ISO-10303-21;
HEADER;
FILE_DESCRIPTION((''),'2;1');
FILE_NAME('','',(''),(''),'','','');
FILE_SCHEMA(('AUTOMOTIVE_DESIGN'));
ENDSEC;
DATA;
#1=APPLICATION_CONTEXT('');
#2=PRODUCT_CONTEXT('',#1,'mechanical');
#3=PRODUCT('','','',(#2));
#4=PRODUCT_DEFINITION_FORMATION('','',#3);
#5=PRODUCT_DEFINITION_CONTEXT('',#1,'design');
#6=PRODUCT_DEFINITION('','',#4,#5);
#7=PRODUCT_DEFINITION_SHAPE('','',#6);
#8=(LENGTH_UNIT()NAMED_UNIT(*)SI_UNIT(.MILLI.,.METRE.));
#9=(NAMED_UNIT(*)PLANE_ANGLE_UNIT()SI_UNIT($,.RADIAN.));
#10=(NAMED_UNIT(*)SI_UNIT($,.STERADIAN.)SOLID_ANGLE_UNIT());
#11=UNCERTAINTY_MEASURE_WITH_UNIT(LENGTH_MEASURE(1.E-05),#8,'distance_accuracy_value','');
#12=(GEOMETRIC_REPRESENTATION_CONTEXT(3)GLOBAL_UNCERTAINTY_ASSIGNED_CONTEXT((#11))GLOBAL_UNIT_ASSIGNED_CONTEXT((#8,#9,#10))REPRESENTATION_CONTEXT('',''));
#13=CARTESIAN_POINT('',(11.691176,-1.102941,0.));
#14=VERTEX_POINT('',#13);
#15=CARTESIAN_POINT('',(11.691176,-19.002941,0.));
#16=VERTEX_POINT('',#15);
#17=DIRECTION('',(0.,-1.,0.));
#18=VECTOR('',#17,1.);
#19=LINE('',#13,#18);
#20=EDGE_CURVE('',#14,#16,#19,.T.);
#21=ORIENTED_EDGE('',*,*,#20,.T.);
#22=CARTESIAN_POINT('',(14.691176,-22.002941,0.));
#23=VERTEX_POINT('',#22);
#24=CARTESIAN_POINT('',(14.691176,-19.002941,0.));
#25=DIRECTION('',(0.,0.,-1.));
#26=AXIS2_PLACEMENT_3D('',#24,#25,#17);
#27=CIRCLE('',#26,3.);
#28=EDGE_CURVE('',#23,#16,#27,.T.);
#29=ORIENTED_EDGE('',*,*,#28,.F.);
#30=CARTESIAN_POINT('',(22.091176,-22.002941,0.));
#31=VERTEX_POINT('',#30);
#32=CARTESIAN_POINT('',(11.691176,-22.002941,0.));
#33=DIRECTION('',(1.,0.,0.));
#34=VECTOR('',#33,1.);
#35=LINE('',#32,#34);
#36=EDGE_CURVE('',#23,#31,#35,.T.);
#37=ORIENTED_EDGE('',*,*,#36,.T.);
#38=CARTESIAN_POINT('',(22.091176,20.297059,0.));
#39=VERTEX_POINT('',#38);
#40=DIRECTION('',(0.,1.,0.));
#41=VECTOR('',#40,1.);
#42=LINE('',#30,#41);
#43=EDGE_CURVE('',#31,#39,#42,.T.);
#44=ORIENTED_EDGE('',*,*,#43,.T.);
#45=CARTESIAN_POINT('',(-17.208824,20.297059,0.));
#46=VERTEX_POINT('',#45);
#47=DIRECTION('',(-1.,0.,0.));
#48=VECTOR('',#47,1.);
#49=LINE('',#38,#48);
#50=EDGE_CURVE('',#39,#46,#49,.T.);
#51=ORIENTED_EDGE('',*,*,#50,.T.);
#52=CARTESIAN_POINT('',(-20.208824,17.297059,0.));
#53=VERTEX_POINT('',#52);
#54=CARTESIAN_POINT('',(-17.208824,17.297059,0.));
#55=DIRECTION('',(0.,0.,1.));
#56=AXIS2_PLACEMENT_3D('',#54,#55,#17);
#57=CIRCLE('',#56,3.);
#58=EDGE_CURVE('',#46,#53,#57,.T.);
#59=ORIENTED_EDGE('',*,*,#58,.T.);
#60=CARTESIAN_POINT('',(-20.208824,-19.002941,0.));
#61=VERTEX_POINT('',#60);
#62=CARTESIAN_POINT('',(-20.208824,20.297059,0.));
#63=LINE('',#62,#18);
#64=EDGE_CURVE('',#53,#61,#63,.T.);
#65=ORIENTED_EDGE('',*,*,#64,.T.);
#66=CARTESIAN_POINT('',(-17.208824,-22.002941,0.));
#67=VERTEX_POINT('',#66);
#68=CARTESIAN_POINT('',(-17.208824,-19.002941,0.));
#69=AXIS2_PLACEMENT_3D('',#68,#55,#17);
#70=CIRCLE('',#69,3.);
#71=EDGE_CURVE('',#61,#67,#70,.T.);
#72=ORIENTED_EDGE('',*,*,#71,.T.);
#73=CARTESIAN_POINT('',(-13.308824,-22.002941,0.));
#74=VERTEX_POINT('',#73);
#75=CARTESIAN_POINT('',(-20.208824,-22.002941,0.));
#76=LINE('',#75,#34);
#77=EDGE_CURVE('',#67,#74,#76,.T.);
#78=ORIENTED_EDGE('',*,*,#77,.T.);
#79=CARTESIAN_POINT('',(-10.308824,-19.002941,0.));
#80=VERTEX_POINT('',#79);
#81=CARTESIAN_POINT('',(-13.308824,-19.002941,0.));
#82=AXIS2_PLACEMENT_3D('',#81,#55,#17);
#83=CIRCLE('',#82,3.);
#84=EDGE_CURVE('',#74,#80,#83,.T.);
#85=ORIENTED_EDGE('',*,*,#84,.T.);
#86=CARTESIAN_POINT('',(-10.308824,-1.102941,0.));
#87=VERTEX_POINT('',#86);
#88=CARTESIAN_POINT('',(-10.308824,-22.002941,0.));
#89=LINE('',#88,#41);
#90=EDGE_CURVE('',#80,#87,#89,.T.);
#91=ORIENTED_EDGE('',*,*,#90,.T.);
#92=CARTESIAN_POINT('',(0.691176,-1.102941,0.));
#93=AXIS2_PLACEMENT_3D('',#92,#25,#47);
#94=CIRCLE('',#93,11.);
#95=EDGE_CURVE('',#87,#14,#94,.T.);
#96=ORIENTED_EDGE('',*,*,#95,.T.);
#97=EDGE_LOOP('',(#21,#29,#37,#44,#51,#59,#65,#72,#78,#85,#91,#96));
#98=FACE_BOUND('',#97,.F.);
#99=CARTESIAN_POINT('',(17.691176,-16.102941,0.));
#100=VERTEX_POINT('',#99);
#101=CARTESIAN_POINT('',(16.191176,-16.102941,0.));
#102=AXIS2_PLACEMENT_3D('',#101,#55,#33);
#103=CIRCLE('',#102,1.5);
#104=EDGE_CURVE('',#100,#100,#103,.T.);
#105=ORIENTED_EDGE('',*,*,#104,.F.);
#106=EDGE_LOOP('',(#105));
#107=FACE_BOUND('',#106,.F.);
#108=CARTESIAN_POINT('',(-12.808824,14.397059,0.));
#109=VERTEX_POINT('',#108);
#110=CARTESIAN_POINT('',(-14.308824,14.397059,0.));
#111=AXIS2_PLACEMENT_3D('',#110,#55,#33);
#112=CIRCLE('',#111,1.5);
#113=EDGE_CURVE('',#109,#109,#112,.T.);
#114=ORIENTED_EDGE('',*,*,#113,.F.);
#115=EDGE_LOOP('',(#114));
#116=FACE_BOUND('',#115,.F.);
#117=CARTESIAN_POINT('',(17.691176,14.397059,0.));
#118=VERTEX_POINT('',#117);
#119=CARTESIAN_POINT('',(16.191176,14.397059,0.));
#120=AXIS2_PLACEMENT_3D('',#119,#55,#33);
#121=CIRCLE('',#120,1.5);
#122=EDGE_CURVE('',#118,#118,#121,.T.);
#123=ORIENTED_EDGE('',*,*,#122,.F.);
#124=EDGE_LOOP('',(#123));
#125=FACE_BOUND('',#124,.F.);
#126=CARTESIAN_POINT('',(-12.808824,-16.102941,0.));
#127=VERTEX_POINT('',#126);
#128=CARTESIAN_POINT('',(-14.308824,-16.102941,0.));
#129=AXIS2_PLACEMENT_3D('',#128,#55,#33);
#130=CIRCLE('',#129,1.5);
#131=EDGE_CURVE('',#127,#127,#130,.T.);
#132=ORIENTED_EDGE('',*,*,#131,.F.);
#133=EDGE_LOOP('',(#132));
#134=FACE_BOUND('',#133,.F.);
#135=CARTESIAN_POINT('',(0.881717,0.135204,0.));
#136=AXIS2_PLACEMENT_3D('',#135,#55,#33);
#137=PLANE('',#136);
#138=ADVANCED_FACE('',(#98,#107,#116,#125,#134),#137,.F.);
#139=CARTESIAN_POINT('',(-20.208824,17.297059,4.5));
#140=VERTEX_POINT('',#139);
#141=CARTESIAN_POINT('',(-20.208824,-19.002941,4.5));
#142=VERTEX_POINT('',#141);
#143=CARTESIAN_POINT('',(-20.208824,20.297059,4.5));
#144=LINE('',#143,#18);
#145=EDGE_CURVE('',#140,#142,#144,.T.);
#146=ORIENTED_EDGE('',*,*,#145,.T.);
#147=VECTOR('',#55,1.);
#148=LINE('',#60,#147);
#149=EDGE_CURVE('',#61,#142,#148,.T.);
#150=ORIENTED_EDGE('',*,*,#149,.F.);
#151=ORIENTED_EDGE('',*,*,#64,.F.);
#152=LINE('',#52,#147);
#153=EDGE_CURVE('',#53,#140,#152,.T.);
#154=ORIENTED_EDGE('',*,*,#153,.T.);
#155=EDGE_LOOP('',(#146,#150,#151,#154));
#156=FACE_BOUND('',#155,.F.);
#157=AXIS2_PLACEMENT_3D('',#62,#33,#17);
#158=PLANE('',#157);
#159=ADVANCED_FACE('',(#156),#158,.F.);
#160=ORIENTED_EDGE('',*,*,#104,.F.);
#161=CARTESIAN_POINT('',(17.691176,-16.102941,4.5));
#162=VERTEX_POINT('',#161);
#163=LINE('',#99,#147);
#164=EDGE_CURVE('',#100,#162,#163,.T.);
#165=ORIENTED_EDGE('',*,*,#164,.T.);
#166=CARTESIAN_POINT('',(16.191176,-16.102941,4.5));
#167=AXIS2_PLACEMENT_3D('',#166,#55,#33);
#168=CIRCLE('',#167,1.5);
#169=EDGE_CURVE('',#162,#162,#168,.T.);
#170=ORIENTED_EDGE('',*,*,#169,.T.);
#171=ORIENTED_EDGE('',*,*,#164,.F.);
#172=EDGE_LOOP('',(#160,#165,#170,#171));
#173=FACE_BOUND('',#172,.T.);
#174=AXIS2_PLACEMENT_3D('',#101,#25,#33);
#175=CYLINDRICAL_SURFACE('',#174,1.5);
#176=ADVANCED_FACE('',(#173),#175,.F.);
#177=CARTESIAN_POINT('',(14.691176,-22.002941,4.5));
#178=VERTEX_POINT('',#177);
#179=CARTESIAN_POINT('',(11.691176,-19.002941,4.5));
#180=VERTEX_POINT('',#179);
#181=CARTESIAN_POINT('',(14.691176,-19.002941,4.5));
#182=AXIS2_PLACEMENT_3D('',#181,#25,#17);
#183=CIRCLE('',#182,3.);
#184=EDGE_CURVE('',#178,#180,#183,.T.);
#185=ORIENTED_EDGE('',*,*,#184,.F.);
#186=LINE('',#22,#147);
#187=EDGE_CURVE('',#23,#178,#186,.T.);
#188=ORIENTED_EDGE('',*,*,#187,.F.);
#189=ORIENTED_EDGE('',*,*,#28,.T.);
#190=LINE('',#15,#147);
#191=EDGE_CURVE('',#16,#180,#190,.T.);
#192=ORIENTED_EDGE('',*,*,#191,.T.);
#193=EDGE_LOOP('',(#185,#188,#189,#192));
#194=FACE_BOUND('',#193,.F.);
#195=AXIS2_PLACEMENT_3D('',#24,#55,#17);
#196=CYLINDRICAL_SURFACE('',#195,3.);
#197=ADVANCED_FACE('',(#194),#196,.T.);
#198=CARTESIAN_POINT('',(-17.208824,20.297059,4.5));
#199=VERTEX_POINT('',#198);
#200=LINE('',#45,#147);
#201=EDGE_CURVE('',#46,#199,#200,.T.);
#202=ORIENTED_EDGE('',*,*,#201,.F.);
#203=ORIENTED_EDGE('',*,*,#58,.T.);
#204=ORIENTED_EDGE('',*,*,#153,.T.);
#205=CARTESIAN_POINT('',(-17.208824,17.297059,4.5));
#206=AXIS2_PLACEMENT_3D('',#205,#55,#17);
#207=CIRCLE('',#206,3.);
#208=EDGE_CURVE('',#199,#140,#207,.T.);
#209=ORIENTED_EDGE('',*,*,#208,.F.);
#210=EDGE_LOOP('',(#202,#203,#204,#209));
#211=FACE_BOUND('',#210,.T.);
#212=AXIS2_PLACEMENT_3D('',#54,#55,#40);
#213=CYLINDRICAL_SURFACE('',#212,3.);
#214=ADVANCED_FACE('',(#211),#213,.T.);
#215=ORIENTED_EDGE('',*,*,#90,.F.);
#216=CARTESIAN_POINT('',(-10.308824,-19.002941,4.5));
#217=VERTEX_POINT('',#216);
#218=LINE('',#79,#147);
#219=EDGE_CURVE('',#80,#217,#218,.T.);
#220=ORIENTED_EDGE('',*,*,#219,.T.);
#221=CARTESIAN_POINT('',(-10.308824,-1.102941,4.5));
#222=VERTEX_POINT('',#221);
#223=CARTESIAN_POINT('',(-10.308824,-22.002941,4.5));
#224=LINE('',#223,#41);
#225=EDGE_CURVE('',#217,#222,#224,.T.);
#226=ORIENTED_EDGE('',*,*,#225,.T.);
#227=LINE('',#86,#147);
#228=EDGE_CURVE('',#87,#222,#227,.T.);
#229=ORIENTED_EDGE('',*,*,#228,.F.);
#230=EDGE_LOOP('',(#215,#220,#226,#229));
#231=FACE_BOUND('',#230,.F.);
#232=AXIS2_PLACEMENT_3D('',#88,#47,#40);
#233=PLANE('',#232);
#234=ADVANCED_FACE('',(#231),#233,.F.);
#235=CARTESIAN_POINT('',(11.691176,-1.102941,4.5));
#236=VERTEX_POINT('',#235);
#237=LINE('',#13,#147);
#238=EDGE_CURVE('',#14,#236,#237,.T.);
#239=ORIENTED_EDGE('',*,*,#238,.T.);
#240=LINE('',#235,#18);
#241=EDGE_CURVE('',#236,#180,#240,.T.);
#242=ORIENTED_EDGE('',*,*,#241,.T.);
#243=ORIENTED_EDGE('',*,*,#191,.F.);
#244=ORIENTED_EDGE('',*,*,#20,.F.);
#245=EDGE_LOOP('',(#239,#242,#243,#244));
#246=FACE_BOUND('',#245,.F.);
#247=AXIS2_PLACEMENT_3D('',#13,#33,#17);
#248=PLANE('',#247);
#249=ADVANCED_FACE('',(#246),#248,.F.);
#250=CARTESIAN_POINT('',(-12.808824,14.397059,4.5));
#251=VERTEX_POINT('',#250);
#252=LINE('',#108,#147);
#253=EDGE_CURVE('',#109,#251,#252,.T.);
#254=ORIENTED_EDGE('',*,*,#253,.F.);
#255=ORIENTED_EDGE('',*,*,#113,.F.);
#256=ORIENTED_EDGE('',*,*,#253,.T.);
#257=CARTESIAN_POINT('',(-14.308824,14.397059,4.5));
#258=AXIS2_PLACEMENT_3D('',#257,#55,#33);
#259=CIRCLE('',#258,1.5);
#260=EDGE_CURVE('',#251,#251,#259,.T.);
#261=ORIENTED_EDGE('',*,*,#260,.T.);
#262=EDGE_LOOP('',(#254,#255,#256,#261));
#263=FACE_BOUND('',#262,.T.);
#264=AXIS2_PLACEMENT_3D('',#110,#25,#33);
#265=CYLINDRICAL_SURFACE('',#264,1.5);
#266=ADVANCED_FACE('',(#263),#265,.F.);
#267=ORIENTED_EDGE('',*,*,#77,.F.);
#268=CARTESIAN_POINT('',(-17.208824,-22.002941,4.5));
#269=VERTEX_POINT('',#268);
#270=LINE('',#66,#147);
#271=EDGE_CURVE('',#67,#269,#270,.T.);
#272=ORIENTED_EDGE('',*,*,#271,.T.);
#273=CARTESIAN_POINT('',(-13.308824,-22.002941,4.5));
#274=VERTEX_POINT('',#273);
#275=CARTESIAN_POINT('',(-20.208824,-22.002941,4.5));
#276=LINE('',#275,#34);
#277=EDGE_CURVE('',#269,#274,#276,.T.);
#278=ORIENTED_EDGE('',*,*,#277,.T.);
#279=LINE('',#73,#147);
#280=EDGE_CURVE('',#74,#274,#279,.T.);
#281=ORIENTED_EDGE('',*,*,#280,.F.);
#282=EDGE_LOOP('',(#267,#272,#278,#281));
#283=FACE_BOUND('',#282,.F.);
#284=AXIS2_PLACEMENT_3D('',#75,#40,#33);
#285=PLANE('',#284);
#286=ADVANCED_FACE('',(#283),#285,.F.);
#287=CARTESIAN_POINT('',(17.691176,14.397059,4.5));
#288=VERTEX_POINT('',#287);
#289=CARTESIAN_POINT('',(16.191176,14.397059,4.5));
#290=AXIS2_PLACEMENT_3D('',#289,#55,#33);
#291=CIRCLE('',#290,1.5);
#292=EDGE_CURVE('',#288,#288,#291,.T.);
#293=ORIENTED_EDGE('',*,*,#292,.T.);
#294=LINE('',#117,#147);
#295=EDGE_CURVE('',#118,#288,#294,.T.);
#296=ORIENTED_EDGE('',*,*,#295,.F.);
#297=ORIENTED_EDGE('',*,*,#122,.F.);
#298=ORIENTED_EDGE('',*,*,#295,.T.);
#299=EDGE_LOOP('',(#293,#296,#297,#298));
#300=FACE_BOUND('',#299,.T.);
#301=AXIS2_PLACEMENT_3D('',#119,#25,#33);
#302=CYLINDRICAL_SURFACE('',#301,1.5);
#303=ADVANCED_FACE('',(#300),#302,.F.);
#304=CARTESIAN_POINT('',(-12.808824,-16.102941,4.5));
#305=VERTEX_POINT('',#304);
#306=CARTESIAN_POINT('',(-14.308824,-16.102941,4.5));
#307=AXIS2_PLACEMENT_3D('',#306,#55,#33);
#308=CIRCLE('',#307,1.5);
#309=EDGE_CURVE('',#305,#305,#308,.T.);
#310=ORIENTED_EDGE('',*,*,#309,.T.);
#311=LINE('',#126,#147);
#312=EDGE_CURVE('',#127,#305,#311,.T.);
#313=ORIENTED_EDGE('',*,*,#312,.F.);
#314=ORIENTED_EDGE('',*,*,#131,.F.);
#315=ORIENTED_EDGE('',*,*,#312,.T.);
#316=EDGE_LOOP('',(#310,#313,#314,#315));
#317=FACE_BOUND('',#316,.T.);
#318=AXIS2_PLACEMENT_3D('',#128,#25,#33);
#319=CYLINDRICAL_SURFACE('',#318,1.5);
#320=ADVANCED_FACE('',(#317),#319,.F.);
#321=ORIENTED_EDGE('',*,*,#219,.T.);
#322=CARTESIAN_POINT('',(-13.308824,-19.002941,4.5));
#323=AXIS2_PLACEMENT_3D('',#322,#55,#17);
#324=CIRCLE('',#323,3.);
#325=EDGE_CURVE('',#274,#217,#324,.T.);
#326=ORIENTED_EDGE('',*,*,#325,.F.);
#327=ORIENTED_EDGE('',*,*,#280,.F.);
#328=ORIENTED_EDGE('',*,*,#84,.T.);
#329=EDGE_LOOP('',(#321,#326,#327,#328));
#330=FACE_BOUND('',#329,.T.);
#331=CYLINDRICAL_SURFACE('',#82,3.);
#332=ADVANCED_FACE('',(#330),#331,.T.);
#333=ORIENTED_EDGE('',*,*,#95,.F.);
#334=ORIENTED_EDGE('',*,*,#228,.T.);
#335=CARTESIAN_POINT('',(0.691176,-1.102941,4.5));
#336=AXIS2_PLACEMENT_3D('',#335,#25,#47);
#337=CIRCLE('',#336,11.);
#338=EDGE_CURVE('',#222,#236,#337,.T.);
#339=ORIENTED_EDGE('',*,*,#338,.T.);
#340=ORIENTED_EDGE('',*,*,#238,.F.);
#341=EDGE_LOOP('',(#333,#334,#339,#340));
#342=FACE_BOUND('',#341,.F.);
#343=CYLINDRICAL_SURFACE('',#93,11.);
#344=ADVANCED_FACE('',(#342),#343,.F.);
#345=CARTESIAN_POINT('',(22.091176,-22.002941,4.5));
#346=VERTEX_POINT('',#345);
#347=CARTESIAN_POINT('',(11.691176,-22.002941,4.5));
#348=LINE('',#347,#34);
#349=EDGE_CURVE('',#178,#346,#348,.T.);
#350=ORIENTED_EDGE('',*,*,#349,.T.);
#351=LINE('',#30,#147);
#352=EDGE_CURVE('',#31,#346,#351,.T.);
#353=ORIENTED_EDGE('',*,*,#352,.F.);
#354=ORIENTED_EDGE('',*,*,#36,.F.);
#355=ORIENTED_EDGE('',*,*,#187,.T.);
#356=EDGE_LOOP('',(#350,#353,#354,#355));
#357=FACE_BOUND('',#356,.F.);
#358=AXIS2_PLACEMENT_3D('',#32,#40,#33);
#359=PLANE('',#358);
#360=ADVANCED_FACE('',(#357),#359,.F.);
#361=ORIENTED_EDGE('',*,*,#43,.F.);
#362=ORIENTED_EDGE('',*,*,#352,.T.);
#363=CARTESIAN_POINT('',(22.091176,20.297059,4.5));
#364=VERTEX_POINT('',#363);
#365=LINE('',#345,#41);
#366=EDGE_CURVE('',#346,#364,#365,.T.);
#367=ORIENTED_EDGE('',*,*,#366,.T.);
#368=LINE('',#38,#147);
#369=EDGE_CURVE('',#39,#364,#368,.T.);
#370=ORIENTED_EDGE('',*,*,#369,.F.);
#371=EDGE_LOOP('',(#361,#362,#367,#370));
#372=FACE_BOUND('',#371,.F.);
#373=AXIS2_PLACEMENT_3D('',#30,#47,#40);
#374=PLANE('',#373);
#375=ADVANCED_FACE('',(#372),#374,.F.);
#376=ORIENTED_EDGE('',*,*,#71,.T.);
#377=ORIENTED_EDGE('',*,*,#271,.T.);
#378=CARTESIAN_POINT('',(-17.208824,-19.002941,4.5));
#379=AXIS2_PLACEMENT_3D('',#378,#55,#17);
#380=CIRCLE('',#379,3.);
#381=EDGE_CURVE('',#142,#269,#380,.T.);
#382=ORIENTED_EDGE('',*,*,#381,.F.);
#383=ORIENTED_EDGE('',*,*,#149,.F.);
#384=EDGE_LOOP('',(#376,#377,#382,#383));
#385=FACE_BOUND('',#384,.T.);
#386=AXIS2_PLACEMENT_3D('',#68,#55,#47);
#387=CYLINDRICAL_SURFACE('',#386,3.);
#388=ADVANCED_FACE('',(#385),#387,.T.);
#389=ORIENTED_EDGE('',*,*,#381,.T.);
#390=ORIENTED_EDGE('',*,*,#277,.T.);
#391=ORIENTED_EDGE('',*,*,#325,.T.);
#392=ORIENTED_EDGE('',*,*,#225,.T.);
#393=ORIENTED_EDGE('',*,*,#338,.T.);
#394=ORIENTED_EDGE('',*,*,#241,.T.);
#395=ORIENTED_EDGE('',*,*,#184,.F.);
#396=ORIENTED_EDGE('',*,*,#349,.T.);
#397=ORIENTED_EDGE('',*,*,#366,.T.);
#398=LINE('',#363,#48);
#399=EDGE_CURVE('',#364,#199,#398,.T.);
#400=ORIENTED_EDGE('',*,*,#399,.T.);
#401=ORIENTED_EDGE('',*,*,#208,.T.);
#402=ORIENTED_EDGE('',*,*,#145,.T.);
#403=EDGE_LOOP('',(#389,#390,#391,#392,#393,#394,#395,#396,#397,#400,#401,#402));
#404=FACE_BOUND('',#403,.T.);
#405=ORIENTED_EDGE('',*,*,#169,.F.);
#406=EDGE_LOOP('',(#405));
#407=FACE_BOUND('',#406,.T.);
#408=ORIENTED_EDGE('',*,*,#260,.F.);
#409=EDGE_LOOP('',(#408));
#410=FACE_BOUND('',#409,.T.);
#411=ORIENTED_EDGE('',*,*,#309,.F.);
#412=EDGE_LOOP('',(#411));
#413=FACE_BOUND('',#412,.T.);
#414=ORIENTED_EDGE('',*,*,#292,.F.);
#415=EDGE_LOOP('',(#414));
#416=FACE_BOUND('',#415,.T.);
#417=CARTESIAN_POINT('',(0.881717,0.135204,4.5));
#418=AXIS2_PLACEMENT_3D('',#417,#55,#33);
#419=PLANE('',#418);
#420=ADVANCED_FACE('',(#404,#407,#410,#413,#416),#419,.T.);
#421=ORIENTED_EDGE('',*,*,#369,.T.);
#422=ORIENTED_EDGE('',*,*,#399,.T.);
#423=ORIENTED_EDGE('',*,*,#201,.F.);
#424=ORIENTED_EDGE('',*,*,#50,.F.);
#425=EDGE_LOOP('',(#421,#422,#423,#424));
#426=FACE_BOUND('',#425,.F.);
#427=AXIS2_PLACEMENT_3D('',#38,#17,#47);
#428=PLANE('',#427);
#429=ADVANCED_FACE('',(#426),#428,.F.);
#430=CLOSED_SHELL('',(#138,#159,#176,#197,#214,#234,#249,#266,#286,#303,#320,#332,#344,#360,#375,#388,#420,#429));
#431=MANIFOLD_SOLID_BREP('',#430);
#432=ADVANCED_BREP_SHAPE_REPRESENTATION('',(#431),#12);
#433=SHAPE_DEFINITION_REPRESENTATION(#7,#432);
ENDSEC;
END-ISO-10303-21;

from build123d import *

# Parameters (mm, degrees)
F0_R     = 1.5
F1_DEPTH = 4.5
F2_R     = 3


with BuildPart() as f1:
    # F0 (on Top) → F1 (new body)
    with BuildSketch(Plane.XY):
        with BuildLine():
            Line((22.091176, 20.297059), (-20.208824, 20.297059))
            Line((-20.208824, 20.297059), (-20.208824, -22.002941))
            Line((-20.208824, -22.002941), (-10.308824, -22.002941))
            Line((-10.308824, -22.002941), (-10.308824, -1.102941))
            ThreePointArc((-10.308824, -1.102941), (0.691176, 9.897059), (11.691176, -1.102941))
            Line((11.691176, -1.102941), (11.691176, -22.002941))
            Line((11.691176, -22.002941), (22.091176, -22.002941))
            Line((22.091176, -22.002941), (22.091176, 20.297059))
        make_face()
        with Locations((-14.308824, -16.102941)):
            Circle(F0_R, mode=Mode.SUBTRACT)
        with Locations((16.191176, -16.102941)):
            Circle(F0_R, mode=Mode.SUBTRACT)
        with Locations((-14.308824, 14.397059)):
            Circle(F0_R, mode=Mode.SUBTRACT)
        with Locations((16.191176, 14.397059)):
            Circle(F0_R, mode=Mode.SUBTRACT)
    extrude(amount=F1_DEPTH)

    # F2
    f2_edges = [f1.edges().sort_by_distance(p)[0] for p in [
        (11.691176, -22.002941, 2.25),
        (-10.308824, -22.002941, 2.25),
        (-20.208824, -22.002941, 2.25),
        (-20.208824, 20.297059, 2.25),
    ]]
    fillet(f2_edges, radius=F2_R)


solid = f1.part
